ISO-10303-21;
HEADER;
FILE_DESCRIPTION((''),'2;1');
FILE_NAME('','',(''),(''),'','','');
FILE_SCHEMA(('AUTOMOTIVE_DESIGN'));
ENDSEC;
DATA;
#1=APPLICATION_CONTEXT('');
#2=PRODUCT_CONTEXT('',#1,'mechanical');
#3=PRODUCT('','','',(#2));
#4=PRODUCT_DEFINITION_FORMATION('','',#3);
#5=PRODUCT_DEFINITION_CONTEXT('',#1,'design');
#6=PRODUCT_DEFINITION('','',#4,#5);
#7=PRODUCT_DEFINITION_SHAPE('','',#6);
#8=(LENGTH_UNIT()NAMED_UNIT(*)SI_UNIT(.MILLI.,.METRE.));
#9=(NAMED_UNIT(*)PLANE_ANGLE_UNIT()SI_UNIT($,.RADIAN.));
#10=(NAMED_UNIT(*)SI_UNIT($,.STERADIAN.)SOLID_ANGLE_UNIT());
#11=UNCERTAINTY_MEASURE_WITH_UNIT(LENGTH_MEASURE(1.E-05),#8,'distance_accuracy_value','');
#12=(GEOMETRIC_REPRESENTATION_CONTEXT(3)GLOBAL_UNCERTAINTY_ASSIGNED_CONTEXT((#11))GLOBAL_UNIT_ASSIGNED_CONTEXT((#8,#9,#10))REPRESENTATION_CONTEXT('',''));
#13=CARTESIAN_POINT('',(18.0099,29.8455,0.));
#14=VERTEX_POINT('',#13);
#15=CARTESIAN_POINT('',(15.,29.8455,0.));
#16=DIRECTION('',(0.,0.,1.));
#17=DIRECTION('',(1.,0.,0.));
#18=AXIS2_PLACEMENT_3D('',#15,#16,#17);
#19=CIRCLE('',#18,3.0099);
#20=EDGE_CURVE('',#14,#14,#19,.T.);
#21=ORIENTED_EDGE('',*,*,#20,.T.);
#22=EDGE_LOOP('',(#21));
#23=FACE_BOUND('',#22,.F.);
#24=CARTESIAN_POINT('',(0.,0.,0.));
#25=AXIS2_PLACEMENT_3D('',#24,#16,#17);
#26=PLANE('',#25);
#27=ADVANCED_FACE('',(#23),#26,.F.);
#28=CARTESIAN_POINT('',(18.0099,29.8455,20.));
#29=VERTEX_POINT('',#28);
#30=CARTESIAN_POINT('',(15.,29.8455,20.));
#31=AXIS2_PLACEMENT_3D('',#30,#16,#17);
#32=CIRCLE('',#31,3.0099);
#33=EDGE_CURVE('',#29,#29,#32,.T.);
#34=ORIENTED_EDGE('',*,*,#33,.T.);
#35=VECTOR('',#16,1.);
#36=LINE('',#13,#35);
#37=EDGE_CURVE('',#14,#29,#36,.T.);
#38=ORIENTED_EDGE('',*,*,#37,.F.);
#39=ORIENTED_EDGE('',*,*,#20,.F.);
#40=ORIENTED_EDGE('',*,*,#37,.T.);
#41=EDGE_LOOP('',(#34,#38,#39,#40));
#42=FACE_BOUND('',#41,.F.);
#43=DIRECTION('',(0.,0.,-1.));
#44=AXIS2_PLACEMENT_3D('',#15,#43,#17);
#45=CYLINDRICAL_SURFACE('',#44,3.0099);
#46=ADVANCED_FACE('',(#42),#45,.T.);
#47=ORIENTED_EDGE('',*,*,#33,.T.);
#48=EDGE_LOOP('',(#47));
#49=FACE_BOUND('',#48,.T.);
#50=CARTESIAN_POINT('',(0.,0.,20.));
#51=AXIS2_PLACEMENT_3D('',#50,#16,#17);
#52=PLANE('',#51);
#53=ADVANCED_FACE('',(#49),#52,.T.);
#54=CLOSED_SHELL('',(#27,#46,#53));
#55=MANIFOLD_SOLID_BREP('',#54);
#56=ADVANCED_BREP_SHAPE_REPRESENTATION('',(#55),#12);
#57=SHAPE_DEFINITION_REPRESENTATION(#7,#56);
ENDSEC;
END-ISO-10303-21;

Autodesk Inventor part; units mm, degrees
ref_plane "YZ Plane" through (0, 0, 0) normal (1, 0, 0) x (0, 1, 0)
ref_plane "XZ Plane" through (0, 0, 0) normal (0, 1, 0) x (-1, 0, 0)
ref_plane "XY Plane" through (0, 0, 0) normal (0, 0, 1) x (1, 0, 0)
ref_plane "Arbeitsebene1" through (0, 0, 0) normal (0, 0, 1) x (1, 0, 0)
sketch "Skizze1" plane through (0, 0, 0) normal (0, 0, 1) x (1, 0, 0)
  circle A0 centre (-15, 29.8455) radius 3.0099 projected
  circle A1 centre (15, 29.8455) radius 3.0099 projected
  point P0 (0, 0)
extrude "Extrusion1" add sketch "Skizze1" along normal blind 20 contours A1
properties part number "00_6mm_Rod_Thorlabs"
